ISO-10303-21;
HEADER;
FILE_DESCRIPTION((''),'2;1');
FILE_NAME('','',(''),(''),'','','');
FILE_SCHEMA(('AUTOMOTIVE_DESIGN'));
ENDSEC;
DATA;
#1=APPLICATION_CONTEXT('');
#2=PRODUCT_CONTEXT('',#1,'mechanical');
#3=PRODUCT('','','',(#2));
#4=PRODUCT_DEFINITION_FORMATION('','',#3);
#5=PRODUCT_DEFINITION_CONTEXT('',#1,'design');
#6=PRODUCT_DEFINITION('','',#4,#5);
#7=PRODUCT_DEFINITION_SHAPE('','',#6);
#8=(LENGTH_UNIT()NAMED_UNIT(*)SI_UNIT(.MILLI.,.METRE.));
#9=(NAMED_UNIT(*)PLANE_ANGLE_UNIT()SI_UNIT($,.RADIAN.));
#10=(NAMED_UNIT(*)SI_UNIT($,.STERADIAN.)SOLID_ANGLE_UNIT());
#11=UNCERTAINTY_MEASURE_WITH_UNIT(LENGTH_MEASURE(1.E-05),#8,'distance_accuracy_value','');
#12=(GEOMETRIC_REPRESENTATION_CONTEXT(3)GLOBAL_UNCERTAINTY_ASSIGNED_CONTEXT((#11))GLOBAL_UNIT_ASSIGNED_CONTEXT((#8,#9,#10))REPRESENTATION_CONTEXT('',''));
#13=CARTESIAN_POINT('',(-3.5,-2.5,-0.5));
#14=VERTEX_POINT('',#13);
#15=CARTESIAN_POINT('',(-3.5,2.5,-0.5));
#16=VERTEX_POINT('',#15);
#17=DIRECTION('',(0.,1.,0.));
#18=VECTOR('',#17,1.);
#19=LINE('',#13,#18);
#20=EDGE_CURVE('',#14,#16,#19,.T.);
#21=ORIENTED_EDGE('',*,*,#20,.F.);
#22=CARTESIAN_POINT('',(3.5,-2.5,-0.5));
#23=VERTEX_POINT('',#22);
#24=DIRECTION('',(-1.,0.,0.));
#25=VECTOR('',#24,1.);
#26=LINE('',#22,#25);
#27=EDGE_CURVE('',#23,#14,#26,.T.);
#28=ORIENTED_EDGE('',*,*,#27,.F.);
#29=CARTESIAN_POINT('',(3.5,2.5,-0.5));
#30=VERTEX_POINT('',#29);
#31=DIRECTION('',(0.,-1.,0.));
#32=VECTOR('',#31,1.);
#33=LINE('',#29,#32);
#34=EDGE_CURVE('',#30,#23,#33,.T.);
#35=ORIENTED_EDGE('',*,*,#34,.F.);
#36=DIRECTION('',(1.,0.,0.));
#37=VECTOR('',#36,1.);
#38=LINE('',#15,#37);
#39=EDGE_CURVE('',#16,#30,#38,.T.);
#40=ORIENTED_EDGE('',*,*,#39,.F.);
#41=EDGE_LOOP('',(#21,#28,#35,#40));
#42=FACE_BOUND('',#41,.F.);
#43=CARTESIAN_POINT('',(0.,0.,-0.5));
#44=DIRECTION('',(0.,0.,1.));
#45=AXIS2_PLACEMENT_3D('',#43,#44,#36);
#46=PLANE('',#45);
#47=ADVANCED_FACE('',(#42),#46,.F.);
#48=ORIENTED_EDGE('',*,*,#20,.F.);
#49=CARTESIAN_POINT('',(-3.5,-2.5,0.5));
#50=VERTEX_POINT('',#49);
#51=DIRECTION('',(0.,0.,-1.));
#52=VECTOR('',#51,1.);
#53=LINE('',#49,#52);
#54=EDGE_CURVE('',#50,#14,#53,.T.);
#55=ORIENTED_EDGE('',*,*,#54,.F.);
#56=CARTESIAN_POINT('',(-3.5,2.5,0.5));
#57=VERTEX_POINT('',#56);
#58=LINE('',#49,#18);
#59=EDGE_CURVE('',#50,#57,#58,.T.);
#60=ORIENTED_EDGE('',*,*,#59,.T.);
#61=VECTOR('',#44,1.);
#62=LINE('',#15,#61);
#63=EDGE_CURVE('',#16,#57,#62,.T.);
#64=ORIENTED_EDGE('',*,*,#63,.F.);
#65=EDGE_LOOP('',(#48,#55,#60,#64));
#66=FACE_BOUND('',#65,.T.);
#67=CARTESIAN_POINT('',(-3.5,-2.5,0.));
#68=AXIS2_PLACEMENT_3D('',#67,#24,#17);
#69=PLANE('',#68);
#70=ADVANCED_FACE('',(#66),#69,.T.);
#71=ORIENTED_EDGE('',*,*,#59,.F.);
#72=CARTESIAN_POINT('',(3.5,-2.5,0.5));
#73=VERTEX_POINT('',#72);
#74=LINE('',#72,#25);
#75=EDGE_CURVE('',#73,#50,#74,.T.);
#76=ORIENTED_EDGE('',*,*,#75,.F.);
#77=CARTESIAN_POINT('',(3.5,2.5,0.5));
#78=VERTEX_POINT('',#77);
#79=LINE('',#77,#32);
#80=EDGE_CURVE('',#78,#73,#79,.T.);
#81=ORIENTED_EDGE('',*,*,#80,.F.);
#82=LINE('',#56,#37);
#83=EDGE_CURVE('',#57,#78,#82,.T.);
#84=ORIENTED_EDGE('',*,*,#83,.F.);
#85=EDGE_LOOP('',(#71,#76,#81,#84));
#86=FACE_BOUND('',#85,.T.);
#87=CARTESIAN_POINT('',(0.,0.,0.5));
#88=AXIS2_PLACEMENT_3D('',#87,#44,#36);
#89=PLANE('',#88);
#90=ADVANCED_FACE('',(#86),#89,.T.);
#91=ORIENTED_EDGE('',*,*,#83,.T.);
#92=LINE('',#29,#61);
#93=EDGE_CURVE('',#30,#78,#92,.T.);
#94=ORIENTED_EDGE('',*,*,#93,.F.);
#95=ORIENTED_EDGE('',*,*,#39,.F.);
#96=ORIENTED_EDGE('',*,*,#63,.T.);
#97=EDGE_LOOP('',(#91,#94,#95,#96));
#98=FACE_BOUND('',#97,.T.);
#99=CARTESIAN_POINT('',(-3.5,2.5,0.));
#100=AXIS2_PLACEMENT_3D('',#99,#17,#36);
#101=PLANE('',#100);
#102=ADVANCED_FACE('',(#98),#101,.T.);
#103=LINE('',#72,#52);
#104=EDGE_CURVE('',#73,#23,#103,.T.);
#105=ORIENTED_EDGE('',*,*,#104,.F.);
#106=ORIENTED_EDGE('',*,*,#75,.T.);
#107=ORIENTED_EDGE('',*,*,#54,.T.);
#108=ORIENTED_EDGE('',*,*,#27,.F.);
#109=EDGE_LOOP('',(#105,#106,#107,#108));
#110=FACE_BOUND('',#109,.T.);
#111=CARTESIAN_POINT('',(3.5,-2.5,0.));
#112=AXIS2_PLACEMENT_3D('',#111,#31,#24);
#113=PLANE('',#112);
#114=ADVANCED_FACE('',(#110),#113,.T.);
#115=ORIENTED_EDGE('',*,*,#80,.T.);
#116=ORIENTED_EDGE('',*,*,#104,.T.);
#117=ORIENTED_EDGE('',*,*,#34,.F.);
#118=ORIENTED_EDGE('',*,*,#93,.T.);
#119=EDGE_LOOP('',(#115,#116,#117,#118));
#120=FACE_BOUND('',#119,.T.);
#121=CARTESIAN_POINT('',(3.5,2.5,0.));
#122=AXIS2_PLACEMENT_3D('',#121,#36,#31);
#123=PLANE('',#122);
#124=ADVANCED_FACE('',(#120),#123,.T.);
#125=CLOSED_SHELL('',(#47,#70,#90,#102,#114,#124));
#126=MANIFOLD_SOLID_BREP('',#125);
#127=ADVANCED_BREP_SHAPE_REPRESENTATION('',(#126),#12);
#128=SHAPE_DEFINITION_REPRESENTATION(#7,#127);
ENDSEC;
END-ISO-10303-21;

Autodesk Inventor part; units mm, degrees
ref_plane "YZ Plane" through (0, 0, 0) normal (1, 0, 0) x (0, 1, 0)
ref_plane "XZ Plane" through (0, 0, 0) normal (0, 1, 0) x (-1, 0, 0)
ref_plane "XY Plane" through (0, 0, 0) normal (0, 0, 1) x (1, 0, 0)
sketch "Sketch1" plane through (0, 0, 0) normal (0, 0, 1) x (1, 0, 0)
  line L0 (0, 1.5119) -> (0, 0)
  line L1 (0, 0) -> (2.1802, 0)
  line L2 (3.5, 2.5) -> (3.5, -2.5)
  line L3 (3.5, -2.5) -> (-3.5, -2.5)
  line L4 (-3.5, -2.5) -> (-3.5, 2.5)
  line L5 (-3.5, 2.5) -> (3.5, 2.5)
  dimension "d0" = 5
  dimension "d1" = 7
extrude "Extrusion1" add sketch "Sketch1" along normal mid plane 1
properties part number "Tantalum_5x7x1" material "Tantalum"
